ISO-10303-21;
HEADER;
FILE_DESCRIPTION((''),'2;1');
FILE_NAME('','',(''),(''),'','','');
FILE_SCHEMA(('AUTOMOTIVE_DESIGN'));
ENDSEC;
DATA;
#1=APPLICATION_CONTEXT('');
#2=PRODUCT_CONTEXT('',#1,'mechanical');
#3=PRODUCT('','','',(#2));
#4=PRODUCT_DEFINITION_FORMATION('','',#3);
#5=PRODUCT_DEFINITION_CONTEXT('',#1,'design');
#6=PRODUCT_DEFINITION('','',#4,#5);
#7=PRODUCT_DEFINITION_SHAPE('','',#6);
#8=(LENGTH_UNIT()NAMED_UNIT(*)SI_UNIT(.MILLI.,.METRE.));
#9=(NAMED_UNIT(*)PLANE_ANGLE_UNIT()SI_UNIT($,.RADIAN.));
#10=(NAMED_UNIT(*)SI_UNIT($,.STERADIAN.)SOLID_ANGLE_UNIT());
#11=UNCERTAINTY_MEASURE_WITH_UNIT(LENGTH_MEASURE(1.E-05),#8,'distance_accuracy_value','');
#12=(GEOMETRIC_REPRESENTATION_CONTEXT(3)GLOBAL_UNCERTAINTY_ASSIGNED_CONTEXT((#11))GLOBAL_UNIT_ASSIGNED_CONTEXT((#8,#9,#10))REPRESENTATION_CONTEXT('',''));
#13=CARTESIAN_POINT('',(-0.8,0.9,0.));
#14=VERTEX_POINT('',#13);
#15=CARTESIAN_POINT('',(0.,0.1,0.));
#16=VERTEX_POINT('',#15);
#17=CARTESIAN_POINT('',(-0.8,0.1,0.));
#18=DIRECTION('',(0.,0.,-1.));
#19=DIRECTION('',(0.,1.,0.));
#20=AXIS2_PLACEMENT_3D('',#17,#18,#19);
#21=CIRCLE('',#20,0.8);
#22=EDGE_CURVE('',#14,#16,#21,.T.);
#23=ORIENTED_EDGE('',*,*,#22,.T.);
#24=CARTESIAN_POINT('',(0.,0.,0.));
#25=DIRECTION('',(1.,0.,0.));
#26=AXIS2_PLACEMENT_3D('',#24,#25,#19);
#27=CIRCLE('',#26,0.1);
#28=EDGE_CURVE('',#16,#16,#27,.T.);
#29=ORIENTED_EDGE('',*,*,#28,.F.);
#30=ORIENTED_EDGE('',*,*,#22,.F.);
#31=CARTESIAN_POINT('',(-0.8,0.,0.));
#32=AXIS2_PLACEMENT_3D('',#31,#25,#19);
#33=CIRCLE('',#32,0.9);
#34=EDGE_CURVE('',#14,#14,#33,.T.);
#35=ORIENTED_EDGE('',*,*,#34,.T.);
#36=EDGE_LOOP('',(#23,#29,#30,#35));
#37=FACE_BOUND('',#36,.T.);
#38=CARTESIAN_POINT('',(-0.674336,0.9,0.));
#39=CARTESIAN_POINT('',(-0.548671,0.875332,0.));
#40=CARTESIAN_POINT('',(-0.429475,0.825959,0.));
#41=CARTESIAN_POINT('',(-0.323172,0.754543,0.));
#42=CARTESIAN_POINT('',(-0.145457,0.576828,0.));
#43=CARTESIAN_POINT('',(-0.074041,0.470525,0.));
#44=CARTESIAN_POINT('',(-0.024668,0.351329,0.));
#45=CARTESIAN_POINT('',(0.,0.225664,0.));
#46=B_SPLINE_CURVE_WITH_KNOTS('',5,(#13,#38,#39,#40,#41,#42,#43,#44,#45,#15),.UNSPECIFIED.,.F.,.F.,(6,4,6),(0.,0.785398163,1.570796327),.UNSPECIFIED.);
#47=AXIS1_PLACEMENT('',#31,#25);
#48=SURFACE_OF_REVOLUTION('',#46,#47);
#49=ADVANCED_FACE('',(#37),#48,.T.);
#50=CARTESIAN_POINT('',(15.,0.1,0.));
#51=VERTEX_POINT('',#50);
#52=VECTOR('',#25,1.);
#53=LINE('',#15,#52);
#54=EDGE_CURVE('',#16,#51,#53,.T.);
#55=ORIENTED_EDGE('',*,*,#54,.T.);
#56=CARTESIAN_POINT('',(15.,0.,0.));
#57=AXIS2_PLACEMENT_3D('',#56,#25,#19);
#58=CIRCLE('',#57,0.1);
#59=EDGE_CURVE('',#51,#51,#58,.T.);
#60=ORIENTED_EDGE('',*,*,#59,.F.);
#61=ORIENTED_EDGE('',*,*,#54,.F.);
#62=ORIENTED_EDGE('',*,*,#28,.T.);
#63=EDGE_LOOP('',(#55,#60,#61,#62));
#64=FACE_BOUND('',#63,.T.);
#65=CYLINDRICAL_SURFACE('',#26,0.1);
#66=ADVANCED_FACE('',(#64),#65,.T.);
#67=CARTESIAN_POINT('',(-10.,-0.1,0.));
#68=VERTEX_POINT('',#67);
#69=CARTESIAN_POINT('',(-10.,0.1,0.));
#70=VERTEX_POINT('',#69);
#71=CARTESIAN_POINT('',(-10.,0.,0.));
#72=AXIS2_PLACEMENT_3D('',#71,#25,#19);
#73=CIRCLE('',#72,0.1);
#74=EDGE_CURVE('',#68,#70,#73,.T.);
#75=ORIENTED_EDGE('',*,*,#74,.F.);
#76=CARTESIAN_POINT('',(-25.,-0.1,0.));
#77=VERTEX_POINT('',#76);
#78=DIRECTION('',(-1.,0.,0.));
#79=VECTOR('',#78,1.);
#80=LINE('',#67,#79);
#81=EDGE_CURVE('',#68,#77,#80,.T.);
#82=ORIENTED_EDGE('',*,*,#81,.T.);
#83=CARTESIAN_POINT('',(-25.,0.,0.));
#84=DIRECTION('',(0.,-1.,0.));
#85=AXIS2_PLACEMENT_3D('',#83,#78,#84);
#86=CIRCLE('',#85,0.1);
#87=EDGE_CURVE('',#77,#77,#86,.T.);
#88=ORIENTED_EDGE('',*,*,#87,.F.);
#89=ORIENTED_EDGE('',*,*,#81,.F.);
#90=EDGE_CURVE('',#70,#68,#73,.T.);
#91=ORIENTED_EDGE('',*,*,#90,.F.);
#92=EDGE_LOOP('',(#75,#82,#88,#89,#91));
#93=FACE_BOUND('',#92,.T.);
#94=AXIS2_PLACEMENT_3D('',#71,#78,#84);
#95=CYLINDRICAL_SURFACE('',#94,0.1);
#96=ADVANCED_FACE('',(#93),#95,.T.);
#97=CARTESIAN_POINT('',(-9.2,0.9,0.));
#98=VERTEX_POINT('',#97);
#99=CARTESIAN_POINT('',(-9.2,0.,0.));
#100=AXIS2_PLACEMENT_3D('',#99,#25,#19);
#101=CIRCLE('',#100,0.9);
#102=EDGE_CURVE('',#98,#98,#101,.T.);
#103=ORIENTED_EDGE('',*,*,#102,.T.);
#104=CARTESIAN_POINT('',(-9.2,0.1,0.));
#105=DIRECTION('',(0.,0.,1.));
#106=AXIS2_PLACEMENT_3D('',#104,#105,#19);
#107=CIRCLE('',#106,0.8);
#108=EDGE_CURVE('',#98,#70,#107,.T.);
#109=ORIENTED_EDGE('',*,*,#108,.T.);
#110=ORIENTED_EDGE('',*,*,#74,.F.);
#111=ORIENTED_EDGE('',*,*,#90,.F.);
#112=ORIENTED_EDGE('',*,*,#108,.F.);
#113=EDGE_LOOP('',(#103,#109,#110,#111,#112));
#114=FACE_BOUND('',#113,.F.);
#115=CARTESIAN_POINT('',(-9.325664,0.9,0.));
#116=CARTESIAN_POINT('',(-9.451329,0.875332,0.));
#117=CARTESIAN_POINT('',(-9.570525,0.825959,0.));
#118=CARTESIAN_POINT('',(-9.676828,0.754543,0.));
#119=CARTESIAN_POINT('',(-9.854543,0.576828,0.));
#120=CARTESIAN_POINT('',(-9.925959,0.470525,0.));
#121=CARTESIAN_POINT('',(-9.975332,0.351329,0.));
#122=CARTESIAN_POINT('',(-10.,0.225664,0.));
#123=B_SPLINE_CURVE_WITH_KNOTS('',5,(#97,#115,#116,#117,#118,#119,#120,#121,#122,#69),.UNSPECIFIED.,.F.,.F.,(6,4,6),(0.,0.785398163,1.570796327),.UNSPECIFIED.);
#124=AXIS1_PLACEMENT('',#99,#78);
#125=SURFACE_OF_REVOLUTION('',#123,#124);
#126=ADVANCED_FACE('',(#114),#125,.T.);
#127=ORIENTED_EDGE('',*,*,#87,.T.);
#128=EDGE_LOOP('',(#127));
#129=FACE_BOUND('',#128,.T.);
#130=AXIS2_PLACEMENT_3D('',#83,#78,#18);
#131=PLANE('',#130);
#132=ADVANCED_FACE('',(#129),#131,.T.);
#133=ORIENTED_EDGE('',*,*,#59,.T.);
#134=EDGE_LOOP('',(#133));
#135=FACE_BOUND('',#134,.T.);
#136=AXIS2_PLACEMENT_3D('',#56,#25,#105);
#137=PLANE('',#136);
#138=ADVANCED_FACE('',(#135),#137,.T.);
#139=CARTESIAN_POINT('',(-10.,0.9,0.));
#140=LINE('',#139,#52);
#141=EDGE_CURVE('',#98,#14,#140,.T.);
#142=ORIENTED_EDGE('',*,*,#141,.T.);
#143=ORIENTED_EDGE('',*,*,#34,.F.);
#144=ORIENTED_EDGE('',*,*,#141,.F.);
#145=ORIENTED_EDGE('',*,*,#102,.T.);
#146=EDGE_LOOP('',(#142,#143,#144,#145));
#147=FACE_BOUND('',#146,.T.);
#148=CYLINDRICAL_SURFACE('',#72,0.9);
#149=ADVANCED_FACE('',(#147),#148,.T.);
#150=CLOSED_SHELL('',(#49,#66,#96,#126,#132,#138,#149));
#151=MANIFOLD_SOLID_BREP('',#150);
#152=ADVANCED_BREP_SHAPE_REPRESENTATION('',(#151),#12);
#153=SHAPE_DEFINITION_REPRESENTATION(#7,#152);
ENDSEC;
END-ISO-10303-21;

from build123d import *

# Parameters (mm, degrees)
F1_R       = 0.9
F3_R       = 0.8
F2_FACE_R  = 0.1
F2_FACE1_R = 0.1


with BuildPart() as f2:
    # F2: sweep along a path in F0
    with BuildLine(Plane.XY) as f2_path:
        Line((-10, 0), (0, 0))
    # F1 (on Right) → F2 (sweep)
    with BuildSketch(Plane.YZ):
        Circle(F1_R)
    sweep(path=f2_path.line)

    # F3
    f3_edges = [f2.edges().sort_by_distance(p)[0] for p in [
        (0, -0.9, 0),
        (-10, -0.9, 0),
    ]]
    fillet(f3_edges, radius=F3_R)

    # F5: sweep along a path in F4
    with BuildLine(Plane.XY) as f5_path:
        Line((0, 0), (15, 0))
    # F2_face (on face) → F5 (sweep)
    with BuildSketch(Plane.YZ):
        Circle(F2_FACE_R)
    sweep(path=f5_path.line)

    # F7: sweep along a path in F6
    with BuildLine(Plane.XY) as f7_path:
        Line((-10, 0), (-25, 0))
    # F2_face1 (on face) → F7 (sweep)
    with BuildSketch(Plane(origin=(-10, 0, 0), x_dir=(0, -1, 0), z_dir=(-1, 0, 0))):
        Circle(F2_FACE1_R)
    sweep(path=f7_path.line)


solid = f2.part
